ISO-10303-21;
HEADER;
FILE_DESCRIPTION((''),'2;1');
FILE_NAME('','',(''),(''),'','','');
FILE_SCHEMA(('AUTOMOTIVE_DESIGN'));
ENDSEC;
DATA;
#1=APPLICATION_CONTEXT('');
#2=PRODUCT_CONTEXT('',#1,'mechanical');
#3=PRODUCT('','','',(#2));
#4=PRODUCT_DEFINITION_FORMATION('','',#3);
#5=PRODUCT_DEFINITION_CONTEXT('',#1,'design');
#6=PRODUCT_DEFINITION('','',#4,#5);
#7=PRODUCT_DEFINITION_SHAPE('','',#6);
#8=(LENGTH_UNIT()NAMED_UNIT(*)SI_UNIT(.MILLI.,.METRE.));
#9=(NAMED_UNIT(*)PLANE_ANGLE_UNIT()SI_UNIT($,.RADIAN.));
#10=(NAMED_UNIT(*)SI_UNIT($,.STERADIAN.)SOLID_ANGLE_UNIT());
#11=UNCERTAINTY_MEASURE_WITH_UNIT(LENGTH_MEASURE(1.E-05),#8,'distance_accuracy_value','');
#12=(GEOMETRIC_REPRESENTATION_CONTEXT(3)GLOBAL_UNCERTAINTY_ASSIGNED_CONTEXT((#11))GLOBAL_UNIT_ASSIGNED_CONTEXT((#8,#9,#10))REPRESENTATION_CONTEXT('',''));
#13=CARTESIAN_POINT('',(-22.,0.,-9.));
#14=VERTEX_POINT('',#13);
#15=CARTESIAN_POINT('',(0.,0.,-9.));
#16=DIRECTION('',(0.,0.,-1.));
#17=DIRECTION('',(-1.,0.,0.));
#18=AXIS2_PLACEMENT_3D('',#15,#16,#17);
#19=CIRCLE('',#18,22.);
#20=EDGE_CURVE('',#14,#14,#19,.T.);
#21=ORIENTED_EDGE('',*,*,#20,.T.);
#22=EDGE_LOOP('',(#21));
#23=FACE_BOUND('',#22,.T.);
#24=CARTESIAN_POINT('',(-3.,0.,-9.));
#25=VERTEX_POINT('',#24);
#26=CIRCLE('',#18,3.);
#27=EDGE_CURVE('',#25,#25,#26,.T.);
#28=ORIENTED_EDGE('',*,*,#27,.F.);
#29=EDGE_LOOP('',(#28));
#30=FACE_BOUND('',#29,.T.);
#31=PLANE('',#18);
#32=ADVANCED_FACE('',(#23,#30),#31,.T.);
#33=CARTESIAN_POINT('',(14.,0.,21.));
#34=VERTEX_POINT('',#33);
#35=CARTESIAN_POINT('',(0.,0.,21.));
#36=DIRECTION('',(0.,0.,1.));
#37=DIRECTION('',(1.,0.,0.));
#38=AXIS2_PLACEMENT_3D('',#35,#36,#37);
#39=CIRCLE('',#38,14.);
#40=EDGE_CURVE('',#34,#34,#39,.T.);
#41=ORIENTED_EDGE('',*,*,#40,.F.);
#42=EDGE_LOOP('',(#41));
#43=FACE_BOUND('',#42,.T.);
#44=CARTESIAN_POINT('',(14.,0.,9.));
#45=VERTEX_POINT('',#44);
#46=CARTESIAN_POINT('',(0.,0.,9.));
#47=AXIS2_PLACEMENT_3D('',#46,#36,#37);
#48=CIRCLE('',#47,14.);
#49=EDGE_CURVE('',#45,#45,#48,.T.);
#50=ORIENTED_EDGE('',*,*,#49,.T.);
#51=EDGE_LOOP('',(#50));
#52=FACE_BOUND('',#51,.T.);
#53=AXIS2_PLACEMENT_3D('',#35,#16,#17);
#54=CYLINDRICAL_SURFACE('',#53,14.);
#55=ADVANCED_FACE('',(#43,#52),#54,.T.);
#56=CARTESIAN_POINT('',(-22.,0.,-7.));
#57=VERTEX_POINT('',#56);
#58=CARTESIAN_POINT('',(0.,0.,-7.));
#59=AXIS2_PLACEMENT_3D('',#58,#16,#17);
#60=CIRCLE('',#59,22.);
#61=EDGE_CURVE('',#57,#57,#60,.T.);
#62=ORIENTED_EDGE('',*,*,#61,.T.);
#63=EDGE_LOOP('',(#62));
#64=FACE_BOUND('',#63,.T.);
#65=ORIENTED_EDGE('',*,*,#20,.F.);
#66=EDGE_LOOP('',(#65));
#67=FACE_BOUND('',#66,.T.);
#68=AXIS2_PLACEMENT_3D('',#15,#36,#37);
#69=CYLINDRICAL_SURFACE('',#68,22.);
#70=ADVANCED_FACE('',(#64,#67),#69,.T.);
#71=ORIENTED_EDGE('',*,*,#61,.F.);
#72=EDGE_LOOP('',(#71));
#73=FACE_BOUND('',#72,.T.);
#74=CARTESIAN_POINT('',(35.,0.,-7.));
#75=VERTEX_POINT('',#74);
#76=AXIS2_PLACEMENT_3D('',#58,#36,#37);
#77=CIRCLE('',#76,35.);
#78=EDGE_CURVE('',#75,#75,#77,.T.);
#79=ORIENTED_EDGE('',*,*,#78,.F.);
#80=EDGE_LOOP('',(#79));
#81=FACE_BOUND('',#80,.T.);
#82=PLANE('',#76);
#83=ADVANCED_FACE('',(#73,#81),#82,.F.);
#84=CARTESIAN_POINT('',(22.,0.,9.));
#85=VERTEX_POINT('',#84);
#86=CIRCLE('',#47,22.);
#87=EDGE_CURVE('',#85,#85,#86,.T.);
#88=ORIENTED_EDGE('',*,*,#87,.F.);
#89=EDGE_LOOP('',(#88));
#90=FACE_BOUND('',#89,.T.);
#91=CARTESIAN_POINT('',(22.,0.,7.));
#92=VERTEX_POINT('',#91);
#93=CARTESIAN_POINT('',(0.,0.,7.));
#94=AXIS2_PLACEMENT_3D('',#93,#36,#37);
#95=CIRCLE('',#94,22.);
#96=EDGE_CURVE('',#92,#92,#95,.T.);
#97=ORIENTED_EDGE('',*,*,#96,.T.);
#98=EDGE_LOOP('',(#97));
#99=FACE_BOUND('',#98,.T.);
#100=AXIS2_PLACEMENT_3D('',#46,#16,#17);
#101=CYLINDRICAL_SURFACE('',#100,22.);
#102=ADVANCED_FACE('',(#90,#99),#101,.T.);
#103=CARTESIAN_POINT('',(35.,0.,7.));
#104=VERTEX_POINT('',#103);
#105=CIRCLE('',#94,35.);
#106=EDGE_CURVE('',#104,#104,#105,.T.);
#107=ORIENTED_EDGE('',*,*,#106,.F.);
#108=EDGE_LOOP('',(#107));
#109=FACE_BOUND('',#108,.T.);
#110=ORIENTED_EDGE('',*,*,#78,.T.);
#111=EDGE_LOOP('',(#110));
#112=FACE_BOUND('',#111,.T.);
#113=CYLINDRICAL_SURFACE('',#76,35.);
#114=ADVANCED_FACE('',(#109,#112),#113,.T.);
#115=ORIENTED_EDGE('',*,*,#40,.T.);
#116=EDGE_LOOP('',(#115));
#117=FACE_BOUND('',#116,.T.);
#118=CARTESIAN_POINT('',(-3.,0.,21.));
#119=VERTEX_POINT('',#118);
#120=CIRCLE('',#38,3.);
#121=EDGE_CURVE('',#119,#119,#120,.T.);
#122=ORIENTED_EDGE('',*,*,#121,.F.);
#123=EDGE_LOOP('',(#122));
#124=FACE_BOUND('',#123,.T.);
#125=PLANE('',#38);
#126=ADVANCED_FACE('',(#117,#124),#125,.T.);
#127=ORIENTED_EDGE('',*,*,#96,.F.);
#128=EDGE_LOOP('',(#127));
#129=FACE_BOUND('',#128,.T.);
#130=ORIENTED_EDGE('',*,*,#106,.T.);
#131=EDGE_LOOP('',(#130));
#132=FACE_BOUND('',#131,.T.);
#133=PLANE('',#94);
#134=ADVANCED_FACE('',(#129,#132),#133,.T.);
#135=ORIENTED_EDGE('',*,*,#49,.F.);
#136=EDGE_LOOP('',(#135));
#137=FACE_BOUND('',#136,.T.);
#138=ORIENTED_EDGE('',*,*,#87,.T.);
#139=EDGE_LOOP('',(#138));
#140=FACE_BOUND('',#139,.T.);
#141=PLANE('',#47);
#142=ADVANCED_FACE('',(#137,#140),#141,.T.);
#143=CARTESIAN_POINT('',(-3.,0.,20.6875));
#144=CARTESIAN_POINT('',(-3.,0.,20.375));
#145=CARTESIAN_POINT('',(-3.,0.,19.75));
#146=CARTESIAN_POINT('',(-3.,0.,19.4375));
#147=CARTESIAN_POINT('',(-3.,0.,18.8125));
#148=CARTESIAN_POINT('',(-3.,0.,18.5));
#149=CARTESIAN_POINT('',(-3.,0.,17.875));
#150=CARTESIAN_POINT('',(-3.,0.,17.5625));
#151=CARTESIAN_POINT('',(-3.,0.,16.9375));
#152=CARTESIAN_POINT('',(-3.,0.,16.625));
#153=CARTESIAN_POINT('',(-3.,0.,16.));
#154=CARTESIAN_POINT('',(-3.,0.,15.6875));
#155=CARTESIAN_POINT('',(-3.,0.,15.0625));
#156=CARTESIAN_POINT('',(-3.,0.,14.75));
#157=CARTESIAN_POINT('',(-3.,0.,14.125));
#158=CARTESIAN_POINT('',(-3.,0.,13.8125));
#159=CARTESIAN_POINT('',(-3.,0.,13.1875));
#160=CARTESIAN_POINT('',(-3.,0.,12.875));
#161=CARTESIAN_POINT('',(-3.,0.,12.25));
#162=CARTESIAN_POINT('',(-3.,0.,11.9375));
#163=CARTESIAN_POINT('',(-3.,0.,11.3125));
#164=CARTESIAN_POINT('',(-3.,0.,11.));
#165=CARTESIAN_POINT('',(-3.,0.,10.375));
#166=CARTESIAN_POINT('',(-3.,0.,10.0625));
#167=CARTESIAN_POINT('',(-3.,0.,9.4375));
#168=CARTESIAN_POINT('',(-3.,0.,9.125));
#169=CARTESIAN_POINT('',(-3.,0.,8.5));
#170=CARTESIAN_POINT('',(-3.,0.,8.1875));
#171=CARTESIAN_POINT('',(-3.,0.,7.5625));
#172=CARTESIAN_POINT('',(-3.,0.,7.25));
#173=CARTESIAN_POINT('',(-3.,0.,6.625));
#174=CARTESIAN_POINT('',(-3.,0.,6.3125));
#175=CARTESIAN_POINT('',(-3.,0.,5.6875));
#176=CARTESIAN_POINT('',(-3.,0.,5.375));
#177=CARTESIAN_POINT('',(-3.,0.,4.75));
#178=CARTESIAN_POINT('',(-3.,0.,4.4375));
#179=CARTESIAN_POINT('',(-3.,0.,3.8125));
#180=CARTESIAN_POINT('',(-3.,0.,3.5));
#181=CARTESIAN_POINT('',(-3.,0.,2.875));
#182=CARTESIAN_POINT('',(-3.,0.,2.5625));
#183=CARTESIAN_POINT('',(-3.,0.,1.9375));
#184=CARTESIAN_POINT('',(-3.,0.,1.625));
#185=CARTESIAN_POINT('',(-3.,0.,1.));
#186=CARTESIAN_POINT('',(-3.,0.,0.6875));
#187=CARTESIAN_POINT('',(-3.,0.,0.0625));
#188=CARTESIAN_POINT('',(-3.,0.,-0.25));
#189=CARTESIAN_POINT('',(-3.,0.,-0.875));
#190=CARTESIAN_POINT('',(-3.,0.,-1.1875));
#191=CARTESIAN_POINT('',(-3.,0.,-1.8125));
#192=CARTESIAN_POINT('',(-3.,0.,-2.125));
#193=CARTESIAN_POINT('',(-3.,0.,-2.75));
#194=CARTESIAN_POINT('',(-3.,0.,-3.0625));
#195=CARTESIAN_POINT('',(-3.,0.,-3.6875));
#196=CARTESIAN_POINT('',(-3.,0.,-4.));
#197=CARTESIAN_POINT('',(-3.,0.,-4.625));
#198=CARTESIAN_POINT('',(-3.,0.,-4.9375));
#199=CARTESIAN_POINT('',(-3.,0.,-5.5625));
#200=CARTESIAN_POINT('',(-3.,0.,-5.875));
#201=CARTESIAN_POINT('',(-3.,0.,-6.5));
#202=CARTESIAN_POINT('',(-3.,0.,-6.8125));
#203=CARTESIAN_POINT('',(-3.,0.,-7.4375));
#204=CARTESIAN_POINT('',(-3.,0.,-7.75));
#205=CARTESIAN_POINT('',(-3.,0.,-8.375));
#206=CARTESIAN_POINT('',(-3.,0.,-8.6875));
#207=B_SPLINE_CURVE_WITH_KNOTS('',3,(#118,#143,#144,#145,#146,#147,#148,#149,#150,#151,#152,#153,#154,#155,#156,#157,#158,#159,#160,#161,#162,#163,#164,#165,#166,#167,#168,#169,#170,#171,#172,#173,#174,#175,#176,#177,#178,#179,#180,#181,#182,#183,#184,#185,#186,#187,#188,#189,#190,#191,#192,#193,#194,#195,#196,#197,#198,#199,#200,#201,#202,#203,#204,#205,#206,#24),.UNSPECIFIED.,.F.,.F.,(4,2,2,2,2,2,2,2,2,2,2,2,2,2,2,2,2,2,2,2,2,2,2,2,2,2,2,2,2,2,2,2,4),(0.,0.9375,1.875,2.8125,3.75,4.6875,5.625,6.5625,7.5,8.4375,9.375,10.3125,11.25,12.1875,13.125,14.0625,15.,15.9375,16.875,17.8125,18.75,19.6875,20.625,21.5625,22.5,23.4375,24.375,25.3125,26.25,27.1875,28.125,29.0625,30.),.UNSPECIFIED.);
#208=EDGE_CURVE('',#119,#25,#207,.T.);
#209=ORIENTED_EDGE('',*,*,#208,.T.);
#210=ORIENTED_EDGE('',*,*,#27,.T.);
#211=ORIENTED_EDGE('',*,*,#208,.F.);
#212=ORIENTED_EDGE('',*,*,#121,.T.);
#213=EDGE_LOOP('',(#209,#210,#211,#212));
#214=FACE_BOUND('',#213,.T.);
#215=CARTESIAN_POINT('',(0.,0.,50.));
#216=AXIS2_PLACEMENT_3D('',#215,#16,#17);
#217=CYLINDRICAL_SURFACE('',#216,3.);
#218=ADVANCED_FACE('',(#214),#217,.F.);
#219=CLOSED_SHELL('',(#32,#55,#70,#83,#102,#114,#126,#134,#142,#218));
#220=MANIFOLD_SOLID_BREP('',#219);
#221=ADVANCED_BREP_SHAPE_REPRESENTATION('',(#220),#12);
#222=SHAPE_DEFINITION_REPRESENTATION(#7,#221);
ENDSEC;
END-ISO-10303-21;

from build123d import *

# Parameters (mm, degrees)
BOSS_EXTRU_1_DEPTH      = 7
BOSS_EXTRU_1_DEPTH_BACK = 7
ESQUISSE1_R             = 35
ESQUISSE2_R             = 22
BOSS_EXTRU_2_DEPTH      = 2
BOSS_EXTRU_3_START      = 2
ESQUISSE3_R             = 22
BOSS_EXTRU_3_DEPTH      = 2
ESQUISSE4_R             = 14
BOSS_EXTRU_4_DEPTH      = 12
ESQUISSE5_R             = 3
ENL_V_MAT_EXTRU_1_DEPTH = 59


with BuildPart() as part:
    # Esquisse1 → Boss.-Extru.1 (new, two sides: drawn at the far end of the back side and taken through both)
    with BuildSketch(Plane.XY.offset(-BOSS_EXTRU_1_DEPTH_BACK)):
        Circle(ESQUISSE1_R)
    extrude(amount=BOSS_EXTRU_1_DEPTH + BOSS_EXTRU_1_DEPTH_BACK)

    # Esquisse2 → Boss.-Extru.2 (add)
    with BuildSketch(Plane.XY.offset(7)):
        Circle(ESQUISSE2_R)
    extrude(amount=BOSS_EXTRU_2_DEPTH)

    # Esquisse3 → Boss.-Extru.3 (add)
    with BuildSketch(Plane(origin=(0, 0, -7), x_dir=(-1, 0, 0), z_dir=(0, 0, -1)).offset(BOSS_EXTRU_3_START)):
        Circle(ESQUISSE3_R)
    extrude(amount=-BOSS_EXTRU_3_DEPTH)

    # Esquisse4 → Boss.-Extru.4 (add)
    with BuildSketch(Plane.XY.offset(9)):
        Circle(ESQUISSE4_R)
    extrude(amount=BOSS_EXTRU_4_DEPTH)

    # Esquisse5 → Enlèv. mat.-Extru.1 (cut)
    with BuildSketch(Plane(origin=(0, 0, -9), x_dir=(-1, 0, 0), z_dir=(0, 0, -1))):
        Circle(ESQUISSE5_R)
    extrude(amount=-ENL_V_MAT_EXTRU_1_DEPTH, mode=Mode.SUBTRACT)


solid = part.part
